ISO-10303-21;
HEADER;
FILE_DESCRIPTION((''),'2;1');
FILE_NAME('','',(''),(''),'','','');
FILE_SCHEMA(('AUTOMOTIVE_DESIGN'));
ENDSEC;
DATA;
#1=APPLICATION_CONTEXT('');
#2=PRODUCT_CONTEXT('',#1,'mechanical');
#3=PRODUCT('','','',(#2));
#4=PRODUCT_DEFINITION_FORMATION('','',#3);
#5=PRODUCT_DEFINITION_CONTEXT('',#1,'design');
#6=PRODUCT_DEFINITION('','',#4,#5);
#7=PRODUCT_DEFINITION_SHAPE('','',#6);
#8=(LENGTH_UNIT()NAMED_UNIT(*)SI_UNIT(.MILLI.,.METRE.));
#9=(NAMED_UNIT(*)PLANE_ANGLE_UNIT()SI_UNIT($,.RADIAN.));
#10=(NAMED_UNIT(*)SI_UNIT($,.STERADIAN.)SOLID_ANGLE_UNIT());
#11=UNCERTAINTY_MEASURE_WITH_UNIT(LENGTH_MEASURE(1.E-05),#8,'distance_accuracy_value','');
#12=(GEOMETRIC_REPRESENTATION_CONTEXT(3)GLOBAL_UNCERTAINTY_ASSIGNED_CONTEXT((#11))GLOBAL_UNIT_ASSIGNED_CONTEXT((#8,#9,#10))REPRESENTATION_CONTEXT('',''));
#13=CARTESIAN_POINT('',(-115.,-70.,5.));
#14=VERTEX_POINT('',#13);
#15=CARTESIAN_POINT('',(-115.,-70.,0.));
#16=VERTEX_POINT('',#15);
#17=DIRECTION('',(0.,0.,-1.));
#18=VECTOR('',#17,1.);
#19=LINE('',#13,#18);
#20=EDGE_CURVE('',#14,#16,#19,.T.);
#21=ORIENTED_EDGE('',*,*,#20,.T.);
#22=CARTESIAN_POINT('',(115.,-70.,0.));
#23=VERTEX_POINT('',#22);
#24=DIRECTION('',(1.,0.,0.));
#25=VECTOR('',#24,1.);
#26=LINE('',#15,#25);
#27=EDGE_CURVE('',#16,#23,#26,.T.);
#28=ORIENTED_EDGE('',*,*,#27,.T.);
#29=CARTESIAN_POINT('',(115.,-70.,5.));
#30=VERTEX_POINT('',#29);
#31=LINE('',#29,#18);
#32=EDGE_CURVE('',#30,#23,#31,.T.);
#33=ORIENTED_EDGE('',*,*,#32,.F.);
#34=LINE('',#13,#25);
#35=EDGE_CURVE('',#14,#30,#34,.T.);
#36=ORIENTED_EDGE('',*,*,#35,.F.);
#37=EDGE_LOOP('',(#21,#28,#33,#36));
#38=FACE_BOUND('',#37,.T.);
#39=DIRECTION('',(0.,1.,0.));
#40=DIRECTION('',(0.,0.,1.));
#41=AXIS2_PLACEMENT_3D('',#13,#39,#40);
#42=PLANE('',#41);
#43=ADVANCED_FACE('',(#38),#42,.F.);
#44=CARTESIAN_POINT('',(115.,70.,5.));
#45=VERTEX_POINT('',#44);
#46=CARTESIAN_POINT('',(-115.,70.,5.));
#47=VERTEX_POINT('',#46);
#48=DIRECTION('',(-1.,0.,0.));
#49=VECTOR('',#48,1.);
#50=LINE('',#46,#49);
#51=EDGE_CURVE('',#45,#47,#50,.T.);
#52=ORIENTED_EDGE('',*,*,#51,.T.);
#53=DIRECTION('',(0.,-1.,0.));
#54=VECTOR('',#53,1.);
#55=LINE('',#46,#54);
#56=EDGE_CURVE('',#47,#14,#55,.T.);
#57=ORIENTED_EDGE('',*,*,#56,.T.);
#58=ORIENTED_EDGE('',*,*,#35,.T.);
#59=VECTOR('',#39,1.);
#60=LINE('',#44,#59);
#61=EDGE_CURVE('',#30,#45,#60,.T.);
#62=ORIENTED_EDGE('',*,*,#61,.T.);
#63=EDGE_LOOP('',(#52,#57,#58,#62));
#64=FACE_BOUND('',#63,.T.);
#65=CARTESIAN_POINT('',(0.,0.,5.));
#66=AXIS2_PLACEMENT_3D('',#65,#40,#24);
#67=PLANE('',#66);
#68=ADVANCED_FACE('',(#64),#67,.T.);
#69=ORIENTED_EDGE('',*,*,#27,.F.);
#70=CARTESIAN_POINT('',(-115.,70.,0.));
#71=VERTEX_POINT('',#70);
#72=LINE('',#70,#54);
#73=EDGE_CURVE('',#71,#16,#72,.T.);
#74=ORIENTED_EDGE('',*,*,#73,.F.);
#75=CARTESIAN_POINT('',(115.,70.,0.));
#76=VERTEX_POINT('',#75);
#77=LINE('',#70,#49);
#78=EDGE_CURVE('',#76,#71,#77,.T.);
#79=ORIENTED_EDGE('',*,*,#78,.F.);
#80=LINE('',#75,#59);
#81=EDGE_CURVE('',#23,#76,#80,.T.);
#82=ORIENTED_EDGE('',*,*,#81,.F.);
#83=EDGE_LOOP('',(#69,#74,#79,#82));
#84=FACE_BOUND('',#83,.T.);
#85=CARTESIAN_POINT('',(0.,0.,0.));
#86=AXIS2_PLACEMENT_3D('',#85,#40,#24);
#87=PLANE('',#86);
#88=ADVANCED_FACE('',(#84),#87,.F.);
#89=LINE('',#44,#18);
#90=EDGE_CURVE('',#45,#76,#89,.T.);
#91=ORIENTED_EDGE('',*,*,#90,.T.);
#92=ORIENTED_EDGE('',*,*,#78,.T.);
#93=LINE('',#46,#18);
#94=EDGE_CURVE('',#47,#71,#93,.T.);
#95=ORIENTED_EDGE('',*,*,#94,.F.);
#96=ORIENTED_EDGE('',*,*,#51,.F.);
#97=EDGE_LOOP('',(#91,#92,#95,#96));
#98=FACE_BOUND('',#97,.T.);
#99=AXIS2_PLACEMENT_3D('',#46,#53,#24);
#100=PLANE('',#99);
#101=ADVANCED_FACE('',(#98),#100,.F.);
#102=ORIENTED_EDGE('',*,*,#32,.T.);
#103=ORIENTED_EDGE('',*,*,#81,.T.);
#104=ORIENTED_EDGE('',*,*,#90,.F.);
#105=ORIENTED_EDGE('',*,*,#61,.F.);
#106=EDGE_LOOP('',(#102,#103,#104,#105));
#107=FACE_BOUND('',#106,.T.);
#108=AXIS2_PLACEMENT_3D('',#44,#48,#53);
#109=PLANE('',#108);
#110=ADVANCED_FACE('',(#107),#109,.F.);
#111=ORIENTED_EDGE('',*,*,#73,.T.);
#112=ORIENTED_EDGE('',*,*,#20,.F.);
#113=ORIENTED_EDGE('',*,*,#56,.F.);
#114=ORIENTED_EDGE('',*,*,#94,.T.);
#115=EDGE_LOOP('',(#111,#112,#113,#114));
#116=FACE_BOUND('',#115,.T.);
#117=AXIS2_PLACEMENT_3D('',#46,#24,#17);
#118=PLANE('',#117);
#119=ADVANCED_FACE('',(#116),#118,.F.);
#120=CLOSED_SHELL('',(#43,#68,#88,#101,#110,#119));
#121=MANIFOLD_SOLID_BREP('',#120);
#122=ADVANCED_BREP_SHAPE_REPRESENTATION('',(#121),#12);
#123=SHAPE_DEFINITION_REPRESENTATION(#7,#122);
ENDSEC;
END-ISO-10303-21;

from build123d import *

# Parameters (mm, degrees)
SKETCH1_W           = 230
SKETCH1_H           = 140
BOSS_EXTRUDE1_DEPTH = 5


with BuildPart() as part:
    # Sketch1 → Boss-Extrude1 (new body)
    with BuildSketch(Plane.XY):
        Rectangle(SKETCH1_W, SKETCH1_H)
    extrude(amount=BOSS_EXTRUDE1_DEPTH)


solid = part.part
